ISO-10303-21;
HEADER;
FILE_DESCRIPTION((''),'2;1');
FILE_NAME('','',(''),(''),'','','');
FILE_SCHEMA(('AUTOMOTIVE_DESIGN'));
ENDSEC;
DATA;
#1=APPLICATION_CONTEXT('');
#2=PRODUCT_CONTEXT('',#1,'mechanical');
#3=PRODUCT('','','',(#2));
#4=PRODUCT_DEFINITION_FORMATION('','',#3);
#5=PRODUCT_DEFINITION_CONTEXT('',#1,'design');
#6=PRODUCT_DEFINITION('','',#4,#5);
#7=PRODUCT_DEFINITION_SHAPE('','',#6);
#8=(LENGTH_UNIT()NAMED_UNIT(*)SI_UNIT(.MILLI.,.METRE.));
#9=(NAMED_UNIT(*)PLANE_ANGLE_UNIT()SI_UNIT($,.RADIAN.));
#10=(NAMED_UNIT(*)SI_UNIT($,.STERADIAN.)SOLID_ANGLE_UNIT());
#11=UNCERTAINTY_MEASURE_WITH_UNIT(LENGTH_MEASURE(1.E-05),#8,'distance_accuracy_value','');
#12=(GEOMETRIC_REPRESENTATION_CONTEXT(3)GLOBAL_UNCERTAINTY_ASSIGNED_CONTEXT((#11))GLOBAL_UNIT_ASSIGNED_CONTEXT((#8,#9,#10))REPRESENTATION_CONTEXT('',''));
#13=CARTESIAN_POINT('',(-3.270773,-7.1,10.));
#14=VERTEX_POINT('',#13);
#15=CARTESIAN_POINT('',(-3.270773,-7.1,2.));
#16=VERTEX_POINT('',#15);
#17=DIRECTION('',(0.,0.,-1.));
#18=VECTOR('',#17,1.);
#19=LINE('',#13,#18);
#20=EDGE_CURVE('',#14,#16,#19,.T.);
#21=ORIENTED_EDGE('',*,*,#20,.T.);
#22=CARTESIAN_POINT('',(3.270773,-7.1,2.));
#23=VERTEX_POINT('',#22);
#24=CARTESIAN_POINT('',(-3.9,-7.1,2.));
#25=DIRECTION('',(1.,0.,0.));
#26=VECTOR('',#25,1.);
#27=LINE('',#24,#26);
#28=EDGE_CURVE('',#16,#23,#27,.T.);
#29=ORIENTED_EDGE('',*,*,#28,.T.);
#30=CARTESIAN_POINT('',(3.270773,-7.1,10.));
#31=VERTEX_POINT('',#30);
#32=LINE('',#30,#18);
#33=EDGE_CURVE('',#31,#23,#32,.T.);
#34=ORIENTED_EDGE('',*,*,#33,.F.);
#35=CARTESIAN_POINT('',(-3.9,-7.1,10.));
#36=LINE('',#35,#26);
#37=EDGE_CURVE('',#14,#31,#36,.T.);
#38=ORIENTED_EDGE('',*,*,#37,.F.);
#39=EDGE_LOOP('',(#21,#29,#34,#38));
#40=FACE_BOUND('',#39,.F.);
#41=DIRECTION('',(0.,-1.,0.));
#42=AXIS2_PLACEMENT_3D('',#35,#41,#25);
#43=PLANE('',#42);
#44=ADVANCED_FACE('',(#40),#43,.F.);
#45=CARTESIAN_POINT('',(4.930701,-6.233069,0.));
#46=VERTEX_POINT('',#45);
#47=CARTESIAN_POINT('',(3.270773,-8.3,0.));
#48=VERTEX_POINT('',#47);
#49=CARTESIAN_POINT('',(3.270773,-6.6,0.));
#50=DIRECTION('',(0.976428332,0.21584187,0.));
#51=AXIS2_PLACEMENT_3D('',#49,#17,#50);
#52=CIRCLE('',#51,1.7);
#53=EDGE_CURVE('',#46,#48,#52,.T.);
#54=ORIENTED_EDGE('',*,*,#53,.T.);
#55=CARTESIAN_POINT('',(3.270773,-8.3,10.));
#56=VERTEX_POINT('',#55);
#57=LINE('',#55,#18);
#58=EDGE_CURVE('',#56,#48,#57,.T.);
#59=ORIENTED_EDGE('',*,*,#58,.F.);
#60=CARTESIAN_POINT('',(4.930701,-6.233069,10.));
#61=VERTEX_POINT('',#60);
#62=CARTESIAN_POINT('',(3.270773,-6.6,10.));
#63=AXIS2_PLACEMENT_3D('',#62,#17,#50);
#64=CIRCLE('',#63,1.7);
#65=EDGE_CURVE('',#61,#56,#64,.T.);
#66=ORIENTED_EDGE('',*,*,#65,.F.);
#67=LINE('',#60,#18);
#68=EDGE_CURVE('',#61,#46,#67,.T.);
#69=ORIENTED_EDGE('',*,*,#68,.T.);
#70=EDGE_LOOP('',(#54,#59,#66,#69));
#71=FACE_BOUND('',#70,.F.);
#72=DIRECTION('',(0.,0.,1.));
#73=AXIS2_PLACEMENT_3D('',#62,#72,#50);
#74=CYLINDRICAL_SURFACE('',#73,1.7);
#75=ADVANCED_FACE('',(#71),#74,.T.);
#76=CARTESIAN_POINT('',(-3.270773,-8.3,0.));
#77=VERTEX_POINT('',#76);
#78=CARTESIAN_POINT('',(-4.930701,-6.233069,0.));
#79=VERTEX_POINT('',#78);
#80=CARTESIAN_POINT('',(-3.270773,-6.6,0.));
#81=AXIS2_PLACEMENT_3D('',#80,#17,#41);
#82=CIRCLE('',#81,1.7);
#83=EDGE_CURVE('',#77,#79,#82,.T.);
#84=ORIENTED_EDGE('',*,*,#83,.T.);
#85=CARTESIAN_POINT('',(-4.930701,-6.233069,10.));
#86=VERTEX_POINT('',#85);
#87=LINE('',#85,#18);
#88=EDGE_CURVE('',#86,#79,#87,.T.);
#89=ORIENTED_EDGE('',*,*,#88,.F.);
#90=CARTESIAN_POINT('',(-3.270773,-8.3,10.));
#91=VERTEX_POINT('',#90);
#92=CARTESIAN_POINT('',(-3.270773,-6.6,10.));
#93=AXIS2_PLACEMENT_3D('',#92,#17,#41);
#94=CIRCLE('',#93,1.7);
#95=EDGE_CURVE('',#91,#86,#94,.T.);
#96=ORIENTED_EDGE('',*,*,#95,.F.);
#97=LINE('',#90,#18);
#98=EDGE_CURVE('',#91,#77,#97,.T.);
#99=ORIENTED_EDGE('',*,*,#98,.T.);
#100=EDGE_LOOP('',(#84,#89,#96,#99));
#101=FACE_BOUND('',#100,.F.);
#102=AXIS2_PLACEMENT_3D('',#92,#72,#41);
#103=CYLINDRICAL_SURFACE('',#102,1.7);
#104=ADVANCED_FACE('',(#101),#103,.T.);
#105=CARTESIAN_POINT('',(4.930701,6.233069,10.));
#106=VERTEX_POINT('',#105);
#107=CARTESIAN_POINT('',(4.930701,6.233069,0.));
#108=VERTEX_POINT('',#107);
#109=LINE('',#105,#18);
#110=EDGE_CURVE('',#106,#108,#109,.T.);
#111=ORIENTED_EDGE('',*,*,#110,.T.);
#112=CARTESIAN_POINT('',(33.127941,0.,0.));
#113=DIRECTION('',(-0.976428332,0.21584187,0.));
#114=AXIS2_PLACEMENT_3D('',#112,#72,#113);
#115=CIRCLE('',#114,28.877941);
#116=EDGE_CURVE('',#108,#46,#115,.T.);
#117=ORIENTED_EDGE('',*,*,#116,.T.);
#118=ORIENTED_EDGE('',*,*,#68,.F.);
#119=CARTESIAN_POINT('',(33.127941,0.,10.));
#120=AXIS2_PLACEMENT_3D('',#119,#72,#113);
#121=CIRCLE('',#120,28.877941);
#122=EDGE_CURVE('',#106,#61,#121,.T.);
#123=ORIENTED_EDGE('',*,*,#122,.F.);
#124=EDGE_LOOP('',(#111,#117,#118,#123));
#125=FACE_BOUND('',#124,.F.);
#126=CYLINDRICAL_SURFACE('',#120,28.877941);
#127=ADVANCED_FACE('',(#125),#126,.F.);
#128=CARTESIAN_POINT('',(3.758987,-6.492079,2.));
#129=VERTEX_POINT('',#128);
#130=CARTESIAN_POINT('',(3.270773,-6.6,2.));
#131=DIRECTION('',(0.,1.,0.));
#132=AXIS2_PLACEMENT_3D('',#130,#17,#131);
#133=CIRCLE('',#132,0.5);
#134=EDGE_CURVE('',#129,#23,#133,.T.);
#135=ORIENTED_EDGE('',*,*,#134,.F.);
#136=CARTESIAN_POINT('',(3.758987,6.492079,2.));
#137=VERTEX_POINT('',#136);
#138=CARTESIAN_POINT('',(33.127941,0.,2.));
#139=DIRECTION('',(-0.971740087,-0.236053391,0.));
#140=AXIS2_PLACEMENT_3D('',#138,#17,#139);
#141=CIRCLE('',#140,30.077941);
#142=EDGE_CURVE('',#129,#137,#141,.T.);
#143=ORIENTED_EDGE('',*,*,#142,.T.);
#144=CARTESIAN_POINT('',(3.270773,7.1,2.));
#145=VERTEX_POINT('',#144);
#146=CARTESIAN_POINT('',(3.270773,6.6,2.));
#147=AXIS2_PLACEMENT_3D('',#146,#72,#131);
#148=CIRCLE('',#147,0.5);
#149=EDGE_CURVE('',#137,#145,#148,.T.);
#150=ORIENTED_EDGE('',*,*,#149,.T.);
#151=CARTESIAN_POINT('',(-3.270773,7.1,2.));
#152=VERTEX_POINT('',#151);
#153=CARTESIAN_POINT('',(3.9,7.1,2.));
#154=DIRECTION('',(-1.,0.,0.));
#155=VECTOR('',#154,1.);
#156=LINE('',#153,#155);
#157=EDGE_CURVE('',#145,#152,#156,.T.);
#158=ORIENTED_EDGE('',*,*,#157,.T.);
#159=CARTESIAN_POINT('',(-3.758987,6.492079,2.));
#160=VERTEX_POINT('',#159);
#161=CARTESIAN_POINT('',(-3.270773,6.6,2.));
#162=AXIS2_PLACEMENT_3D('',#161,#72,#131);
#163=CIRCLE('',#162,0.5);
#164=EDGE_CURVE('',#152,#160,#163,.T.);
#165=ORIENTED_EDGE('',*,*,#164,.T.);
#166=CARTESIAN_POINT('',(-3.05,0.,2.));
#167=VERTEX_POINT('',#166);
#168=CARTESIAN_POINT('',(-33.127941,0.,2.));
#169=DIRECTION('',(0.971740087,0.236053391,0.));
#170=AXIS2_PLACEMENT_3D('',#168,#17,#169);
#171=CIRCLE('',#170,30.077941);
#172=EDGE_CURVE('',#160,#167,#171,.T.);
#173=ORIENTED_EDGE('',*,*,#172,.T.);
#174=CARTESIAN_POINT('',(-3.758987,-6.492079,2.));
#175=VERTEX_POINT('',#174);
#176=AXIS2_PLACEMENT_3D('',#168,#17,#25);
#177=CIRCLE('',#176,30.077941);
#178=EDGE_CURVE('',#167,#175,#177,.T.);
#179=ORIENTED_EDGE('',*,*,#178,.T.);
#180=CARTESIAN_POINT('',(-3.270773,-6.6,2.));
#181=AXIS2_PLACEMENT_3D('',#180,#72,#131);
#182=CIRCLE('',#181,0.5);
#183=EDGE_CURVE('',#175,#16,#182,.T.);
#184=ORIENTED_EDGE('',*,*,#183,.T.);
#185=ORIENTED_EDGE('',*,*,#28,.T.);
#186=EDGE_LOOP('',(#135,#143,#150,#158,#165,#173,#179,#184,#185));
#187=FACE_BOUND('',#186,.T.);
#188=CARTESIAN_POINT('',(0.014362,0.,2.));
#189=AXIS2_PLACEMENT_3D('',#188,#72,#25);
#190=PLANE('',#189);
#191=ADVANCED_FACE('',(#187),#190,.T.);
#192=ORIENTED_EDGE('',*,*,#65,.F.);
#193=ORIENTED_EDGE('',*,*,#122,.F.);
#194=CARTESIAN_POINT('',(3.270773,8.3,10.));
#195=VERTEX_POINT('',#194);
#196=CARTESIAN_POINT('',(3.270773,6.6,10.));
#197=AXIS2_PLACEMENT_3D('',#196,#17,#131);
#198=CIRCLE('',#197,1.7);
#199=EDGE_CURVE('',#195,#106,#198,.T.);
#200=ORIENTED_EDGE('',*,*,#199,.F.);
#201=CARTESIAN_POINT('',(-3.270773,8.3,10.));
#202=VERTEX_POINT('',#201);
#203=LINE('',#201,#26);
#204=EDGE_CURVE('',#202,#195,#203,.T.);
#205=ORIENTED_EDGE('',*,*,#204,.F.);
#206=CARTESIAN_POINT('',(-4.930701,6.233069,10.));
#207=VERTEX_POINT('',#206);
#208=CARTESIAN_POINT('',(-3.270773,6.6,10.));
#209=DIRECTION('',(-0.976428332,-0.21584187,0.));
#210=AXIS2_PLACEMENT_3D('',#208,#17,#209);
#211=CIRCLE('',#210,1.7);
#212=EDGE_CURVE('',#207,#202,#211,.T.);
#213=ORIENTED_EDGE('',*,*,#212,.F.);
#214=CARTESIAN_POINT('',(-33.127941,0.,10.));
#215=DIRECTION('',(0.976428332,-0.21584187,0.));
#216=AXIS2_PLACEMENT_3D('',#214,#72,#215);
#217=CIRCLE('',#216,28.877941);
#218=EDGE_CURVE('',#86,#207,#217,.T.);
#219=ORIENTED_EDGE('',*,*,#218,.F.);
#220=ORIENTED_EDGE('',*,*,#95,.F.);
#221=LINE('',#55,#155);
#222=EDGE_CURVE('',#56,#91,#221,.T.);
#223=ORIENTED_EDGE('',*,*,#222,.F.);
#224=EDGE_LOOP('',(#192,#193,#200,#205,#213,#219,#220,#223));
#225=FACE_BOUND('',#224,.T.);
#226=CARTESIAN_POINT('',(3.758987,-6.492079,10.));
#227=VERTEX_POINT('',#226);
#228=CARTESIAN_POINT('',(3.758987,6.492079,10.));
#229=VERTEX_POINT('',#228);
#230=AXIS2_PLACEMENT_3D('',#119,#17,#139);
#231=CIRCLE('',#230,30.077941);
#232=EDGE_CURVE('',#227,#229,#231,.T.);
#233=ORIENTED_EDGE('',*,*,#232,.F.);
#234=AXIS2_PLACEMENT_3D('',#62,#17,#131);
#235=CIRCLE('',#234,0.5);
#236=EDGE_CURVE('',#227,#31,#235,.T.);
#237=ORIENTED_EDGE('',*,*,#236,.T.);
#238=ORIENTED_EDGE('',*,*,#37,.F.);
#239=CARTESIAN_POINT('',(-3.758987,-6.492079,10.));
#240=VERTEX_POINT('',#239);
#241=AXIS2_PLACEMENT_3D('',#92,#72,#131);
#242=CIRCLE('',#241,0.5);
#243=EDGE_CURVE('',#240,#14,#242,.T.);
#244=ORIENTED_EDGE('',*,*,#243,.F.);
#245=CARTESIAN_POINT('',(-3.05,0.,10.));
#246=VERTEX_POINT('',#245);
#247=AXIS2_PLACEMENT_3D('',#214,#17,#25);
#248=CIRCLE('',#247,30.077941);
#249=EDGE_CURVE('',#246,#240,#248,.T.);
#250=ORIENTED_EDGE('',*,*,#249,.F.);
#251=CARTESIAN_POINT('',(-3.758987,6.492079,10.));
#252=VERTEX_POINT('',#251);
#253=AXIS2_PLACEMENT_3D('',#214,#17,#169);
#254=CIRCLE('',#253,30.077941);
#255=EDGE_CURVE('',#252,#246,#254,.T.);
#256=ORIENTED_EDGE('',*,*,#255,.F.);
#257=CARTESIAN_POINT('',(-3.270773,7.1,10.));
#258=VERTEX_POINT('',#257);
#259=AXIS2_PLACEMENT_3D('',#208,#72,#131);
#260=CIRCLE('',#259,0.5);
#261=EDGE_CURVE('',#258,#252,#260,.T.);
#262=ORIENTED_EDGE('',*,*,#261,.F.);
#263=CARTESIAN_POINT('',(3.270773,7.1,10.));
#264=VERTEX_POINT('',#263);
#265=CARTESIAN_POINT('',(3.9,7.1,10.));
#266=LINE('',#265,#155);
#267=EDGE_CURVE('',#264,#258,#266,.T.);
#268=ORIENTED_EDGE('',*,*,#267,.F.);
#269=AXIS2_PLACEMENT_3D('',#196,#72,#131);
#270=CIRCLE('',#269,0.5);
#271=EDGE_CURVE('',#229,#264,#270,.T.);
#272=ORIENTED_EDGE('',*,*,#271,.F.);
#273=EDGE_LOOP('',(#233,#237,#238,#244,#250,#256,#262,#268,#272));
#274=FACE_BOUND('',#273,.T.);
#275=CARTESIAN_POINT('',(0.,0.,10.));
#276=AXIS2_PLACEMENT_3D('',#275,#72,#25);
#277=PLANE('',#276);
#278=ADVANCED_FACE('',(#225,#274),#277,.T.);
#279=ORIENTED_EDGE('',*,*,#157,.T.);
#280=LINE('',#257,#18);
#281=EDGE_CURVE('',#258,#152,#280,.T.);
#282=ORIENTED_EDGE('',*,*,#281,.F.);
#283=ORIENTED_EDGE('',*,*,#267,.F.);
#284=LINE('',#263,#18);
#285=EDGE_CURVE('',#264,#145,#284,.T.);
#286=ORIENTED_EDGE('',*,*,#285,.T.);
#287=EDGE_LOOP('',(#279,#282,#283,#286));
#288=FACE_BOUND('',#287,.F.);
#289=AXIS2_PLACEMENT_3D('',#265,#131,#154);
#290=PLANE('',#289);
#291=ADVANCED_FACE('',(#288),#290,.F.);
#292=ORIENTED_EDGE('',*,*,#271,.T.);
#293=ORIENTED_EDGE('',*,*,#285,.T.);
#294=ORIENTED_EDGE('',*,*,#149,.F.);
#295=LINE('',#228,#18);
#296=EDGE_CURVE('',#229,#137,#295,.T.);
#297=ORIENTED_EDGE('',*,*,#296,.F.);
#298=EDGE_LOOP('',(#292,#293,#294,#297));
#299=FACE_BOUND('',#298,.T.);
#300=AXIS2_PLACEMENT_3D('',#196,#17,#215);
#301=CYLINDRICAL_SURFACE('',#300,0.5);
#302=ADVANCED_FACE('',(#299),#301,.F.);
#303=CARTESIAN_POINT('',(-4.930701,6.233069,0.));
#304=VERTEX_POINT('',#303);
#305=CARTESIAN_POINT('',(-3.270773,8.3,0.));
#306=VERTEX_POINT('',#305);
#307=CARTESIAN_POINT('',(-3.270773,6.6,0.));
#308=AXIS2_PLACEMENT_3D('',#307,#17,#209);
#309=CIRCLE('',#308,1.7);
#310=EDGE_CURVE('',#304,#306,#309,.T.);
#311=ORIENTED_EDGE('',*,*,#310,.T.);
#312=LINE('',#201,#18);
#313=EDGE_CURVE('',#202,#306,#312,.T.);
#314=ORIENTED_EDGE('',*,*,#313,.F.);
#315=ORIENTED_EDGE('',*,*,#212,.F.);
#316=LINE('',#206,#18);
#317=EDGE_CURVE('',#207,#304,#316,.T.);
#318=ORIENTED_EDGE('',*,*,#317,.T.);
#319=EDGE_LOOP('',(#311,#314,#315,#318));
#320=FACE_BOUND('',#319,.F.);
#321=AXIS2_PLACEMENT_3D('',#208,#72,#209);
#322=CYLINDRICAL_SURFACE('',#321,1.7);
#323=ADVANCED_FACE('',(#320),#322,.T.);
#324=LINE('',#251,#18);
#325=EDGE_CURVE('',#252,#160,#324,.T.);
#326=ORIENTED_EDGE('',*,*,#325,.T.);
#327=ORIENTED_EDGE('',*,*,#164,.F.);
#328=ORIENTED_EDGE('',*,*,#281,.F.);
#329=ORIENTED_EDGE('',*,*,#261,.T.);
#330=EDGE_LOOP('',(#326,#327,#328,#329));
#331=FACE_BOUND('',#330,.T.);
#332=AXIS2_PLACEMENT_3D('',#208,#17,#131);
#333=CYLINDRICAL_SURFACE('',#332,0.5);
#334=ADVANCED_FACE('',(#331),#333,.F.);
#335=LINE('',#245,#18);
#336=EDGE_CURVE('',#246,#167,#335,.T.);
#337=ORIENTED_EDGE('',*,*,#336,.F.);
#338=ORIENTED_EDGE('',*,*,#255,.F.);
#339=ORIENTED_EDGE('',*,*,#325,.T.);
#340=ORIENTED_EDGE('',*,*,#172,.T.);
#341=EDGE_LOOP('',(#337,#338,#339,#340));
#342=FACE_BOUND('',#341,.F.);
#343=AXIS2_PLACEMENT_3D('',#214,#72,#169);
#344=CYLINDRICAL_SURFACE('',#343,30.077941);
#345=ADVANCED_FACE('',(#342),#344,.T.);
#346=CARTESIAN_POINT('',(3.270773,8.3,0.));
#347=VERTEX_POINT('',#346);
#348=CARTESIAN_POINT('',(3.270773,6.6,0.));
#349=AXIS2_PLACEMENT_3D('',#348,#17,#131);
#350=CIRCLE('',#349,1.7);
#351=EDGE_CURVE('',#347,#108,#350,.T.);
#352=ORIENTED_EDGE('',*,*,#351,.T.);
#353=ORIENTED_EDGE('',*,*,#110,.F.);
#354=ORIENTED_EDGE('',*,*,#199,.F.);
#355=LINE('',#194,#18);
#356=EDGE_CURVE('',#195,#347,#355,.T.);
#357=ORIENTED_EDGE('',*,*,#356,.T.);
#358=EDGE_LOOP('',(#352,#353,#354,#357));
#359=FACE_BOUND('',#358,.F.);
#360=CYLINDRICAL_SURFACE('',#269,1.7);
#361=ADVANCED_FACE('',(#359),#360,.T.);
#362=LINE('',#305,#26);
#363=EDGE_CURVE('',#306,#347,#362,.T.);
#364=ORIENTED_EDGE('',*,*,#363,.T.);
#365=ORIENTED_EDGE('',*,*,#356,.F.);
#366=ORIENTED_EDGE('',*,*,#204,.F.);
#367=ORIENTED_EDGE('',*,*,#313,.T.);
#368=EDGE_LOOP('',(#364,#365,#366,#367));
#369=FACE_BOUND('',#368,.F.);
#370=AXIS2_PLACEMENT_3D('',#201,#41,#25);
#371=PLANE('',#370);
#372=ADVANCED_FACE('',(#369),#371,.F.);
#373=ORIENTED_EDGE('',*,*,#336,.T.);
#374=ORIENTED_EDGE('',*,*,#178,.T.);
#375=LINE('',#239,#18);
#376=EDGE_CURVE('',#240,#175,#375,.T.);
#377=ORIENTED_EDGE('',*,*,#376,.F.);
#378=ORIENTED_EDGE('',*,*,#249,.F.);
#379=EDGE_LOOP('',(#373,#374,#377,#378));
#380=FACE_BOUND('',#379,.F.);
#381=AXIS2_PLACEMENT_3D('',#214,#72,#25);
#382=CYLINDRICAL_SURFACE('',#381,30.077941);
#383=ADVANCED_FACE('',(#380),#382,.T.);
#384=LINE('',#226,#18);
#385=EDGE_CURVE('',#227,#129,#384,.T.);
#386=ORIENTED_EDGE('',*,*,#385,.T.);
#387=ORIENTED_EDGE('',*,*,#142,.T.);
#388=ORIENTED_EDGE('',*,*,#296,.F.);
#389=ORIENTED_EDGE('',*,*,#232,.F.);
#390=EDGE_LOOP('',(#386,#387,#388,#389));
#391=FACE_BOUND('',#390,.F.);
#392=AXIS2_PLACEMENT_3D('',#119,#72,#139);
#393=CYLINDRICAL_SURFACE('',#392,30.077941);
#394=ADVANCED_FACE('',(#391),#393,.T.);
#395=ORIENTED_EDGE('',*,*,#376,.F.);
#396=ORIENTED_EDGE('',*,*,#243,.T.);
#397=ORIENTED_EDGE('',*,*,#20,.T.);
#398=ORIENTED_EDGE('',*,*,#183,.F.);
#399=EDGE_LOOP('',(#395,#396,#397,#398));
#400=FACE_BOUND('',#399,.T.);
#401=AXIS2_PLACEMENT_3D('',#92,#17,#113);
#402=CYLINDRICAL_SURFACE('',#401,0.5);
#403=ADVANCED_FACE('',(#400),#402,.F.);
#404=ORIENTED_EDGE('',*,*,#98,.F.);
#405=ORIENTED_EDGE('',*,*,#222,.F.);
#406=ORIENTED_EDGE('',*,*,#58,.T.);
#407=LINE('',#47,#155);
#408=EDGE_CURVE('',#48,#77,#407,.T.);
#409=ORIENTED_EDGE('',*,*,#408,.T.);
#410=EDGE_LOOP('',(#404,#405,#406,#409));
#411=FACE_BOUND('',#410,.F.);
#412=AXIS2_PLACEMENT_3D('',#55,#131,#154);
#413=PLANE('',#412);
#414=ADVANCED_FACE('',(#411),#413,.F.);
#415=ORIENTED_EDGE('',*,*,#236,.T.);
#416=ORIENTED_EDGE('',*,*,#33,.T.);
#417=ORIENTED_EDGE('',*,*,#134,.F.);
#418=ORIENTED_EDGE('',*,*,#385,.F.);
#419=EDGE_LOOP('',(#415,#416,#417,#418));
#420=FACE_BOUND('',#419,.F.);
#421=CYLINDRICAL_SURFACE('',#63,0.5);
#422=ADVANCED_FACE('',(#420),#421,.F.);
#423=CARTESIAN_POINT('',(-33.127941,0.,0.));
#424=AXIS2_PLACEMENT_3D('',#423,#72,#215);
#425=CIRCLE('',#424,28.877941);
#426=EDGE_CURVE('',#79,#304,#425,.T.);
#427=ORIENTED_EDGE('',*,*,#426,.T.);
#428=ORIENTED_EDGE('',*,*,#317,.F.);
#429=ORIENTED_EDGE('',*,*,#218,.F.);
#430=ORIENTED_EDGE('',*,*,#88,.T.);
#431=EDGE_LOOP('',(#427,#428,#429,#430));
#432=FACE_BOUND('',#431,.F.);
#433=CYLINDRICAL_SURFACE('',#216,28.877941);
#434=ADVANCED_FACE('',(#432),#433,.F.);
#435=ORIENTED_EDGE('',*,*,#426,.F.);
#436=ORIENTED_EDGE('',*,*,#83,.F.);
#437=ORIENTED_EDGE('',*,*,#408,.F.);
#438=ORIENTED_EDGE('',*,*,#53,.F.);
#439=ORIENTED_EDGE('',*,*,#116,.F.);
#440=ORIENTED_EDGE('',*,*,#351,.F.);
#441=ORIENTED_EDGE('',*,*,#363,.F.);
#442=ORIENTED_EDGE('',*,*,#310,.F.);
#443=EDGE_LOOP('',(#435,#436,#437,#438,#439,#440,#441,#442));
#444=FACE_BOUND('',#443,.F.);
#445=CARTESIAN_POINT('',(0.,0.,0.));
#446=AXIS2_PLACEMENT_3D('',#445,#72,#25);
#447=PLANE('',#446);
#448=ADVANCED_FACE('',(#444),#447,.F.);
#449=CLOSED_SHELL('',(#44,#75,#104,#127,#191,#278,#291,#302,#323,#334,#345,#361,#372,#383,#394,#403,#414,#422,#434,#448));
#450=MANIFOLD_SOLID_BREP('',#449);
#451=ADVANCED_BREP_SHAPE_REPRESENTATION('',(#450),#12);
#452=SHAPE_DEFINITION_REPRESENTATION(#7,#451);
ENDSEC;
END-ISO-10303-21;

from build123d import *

# Parameters (mm, degrees)
F0_W     = 14
F0_H     = 20
F1_DEPTH = 10
F3_DEPTH = 8
F4_R     = 0.5
F5_W     = 14
F5_H     = 20
F6_DEPTH = 10


with BuildPart() as f1:
    # F0 (on Top) → F1 (new body)
    with BuildSketch(Plane.XY):
        Rectangle(F0_W, F0_H)
    extrude(amount=F1_DEPTH)

    # F2 (on face) → F3 (cut)
    with BuildSketch(Plane.XY.offset(10)):
        with BuildLine():
            ThreePointArc((3.9, -7.1), (3.05, 0), (3.9, 7.1))
            Line((3.9, 7.1), (-3.9, 7.1))
            ThreePointArc((-3.9, 7.1), (-3.2632560046, 3.5753496333), (-3.05, 0))
            ThreePointArc((-3.05, 0), (-3.2632560046, -3.5753496333), (-3.9, -7.1))
            Line((-3.9, -7.1), (3.9, -7.1))
        make_face()
    extrude(amount=-F3_DEPTH, mode=Mode.SUBTRACT)

    # F4
    f4_edges = [f1.edges().sort_by_distance(p)[0] for p in [
        (-3.9, 7.1, 6),
        (-3.9, -7.1, 6),
        (3.9, 7.1, 6),
        (3.9, -7.1, 6),
    ]]
    fillet(f4_edges, radius=F4_R)

    # F5 (on face) → F6 (cut, through all)
    with BuildSketch(Plane.XY.offset(10)):
        Rectangle(F5_W, F5_H)
        with BuildLine():
            ThreePointArc((4.9307012466, -6.2330688212), (4.5962509216, -7.6644756916), (3.2707730825, -8.3))
            Line((3.2707730825, -8.3), (-3.2707730825, -8.3))
            ThreePointArc((-3.2707730825, -8.3), (-4.5962509216, -7.6644756916), (-4.9307012466, -6.2330688212))
            ThreePointArc((-4.9307012466, -6.2330688212), (-4.25, 0), (-4.9307012466, 6.2330688212))
            ThreePointArc((-4.9307012466, 6.2330688212), (-4.5962509216, 7.6644756916), (-3.2707730825, 8.3))
            Line((-3.2707730825, 8.3), (3.2707730825, 8.3))
            ThreePointArc((3.2707730825, 8.3), (4.5962509216, 7.6644756916), (4.9307012466, 6.2330688212))
            ThreePointArc((4.9307012466, 6.2330688212), (4.25, 0), (4.9307012466, -6.2330688212))
        make_face(mode=Mode.SUBTRACT)
    extrude(amount=-F6_DEPTH, mode=Mode.SUBTRACT)


solid = f1.part
